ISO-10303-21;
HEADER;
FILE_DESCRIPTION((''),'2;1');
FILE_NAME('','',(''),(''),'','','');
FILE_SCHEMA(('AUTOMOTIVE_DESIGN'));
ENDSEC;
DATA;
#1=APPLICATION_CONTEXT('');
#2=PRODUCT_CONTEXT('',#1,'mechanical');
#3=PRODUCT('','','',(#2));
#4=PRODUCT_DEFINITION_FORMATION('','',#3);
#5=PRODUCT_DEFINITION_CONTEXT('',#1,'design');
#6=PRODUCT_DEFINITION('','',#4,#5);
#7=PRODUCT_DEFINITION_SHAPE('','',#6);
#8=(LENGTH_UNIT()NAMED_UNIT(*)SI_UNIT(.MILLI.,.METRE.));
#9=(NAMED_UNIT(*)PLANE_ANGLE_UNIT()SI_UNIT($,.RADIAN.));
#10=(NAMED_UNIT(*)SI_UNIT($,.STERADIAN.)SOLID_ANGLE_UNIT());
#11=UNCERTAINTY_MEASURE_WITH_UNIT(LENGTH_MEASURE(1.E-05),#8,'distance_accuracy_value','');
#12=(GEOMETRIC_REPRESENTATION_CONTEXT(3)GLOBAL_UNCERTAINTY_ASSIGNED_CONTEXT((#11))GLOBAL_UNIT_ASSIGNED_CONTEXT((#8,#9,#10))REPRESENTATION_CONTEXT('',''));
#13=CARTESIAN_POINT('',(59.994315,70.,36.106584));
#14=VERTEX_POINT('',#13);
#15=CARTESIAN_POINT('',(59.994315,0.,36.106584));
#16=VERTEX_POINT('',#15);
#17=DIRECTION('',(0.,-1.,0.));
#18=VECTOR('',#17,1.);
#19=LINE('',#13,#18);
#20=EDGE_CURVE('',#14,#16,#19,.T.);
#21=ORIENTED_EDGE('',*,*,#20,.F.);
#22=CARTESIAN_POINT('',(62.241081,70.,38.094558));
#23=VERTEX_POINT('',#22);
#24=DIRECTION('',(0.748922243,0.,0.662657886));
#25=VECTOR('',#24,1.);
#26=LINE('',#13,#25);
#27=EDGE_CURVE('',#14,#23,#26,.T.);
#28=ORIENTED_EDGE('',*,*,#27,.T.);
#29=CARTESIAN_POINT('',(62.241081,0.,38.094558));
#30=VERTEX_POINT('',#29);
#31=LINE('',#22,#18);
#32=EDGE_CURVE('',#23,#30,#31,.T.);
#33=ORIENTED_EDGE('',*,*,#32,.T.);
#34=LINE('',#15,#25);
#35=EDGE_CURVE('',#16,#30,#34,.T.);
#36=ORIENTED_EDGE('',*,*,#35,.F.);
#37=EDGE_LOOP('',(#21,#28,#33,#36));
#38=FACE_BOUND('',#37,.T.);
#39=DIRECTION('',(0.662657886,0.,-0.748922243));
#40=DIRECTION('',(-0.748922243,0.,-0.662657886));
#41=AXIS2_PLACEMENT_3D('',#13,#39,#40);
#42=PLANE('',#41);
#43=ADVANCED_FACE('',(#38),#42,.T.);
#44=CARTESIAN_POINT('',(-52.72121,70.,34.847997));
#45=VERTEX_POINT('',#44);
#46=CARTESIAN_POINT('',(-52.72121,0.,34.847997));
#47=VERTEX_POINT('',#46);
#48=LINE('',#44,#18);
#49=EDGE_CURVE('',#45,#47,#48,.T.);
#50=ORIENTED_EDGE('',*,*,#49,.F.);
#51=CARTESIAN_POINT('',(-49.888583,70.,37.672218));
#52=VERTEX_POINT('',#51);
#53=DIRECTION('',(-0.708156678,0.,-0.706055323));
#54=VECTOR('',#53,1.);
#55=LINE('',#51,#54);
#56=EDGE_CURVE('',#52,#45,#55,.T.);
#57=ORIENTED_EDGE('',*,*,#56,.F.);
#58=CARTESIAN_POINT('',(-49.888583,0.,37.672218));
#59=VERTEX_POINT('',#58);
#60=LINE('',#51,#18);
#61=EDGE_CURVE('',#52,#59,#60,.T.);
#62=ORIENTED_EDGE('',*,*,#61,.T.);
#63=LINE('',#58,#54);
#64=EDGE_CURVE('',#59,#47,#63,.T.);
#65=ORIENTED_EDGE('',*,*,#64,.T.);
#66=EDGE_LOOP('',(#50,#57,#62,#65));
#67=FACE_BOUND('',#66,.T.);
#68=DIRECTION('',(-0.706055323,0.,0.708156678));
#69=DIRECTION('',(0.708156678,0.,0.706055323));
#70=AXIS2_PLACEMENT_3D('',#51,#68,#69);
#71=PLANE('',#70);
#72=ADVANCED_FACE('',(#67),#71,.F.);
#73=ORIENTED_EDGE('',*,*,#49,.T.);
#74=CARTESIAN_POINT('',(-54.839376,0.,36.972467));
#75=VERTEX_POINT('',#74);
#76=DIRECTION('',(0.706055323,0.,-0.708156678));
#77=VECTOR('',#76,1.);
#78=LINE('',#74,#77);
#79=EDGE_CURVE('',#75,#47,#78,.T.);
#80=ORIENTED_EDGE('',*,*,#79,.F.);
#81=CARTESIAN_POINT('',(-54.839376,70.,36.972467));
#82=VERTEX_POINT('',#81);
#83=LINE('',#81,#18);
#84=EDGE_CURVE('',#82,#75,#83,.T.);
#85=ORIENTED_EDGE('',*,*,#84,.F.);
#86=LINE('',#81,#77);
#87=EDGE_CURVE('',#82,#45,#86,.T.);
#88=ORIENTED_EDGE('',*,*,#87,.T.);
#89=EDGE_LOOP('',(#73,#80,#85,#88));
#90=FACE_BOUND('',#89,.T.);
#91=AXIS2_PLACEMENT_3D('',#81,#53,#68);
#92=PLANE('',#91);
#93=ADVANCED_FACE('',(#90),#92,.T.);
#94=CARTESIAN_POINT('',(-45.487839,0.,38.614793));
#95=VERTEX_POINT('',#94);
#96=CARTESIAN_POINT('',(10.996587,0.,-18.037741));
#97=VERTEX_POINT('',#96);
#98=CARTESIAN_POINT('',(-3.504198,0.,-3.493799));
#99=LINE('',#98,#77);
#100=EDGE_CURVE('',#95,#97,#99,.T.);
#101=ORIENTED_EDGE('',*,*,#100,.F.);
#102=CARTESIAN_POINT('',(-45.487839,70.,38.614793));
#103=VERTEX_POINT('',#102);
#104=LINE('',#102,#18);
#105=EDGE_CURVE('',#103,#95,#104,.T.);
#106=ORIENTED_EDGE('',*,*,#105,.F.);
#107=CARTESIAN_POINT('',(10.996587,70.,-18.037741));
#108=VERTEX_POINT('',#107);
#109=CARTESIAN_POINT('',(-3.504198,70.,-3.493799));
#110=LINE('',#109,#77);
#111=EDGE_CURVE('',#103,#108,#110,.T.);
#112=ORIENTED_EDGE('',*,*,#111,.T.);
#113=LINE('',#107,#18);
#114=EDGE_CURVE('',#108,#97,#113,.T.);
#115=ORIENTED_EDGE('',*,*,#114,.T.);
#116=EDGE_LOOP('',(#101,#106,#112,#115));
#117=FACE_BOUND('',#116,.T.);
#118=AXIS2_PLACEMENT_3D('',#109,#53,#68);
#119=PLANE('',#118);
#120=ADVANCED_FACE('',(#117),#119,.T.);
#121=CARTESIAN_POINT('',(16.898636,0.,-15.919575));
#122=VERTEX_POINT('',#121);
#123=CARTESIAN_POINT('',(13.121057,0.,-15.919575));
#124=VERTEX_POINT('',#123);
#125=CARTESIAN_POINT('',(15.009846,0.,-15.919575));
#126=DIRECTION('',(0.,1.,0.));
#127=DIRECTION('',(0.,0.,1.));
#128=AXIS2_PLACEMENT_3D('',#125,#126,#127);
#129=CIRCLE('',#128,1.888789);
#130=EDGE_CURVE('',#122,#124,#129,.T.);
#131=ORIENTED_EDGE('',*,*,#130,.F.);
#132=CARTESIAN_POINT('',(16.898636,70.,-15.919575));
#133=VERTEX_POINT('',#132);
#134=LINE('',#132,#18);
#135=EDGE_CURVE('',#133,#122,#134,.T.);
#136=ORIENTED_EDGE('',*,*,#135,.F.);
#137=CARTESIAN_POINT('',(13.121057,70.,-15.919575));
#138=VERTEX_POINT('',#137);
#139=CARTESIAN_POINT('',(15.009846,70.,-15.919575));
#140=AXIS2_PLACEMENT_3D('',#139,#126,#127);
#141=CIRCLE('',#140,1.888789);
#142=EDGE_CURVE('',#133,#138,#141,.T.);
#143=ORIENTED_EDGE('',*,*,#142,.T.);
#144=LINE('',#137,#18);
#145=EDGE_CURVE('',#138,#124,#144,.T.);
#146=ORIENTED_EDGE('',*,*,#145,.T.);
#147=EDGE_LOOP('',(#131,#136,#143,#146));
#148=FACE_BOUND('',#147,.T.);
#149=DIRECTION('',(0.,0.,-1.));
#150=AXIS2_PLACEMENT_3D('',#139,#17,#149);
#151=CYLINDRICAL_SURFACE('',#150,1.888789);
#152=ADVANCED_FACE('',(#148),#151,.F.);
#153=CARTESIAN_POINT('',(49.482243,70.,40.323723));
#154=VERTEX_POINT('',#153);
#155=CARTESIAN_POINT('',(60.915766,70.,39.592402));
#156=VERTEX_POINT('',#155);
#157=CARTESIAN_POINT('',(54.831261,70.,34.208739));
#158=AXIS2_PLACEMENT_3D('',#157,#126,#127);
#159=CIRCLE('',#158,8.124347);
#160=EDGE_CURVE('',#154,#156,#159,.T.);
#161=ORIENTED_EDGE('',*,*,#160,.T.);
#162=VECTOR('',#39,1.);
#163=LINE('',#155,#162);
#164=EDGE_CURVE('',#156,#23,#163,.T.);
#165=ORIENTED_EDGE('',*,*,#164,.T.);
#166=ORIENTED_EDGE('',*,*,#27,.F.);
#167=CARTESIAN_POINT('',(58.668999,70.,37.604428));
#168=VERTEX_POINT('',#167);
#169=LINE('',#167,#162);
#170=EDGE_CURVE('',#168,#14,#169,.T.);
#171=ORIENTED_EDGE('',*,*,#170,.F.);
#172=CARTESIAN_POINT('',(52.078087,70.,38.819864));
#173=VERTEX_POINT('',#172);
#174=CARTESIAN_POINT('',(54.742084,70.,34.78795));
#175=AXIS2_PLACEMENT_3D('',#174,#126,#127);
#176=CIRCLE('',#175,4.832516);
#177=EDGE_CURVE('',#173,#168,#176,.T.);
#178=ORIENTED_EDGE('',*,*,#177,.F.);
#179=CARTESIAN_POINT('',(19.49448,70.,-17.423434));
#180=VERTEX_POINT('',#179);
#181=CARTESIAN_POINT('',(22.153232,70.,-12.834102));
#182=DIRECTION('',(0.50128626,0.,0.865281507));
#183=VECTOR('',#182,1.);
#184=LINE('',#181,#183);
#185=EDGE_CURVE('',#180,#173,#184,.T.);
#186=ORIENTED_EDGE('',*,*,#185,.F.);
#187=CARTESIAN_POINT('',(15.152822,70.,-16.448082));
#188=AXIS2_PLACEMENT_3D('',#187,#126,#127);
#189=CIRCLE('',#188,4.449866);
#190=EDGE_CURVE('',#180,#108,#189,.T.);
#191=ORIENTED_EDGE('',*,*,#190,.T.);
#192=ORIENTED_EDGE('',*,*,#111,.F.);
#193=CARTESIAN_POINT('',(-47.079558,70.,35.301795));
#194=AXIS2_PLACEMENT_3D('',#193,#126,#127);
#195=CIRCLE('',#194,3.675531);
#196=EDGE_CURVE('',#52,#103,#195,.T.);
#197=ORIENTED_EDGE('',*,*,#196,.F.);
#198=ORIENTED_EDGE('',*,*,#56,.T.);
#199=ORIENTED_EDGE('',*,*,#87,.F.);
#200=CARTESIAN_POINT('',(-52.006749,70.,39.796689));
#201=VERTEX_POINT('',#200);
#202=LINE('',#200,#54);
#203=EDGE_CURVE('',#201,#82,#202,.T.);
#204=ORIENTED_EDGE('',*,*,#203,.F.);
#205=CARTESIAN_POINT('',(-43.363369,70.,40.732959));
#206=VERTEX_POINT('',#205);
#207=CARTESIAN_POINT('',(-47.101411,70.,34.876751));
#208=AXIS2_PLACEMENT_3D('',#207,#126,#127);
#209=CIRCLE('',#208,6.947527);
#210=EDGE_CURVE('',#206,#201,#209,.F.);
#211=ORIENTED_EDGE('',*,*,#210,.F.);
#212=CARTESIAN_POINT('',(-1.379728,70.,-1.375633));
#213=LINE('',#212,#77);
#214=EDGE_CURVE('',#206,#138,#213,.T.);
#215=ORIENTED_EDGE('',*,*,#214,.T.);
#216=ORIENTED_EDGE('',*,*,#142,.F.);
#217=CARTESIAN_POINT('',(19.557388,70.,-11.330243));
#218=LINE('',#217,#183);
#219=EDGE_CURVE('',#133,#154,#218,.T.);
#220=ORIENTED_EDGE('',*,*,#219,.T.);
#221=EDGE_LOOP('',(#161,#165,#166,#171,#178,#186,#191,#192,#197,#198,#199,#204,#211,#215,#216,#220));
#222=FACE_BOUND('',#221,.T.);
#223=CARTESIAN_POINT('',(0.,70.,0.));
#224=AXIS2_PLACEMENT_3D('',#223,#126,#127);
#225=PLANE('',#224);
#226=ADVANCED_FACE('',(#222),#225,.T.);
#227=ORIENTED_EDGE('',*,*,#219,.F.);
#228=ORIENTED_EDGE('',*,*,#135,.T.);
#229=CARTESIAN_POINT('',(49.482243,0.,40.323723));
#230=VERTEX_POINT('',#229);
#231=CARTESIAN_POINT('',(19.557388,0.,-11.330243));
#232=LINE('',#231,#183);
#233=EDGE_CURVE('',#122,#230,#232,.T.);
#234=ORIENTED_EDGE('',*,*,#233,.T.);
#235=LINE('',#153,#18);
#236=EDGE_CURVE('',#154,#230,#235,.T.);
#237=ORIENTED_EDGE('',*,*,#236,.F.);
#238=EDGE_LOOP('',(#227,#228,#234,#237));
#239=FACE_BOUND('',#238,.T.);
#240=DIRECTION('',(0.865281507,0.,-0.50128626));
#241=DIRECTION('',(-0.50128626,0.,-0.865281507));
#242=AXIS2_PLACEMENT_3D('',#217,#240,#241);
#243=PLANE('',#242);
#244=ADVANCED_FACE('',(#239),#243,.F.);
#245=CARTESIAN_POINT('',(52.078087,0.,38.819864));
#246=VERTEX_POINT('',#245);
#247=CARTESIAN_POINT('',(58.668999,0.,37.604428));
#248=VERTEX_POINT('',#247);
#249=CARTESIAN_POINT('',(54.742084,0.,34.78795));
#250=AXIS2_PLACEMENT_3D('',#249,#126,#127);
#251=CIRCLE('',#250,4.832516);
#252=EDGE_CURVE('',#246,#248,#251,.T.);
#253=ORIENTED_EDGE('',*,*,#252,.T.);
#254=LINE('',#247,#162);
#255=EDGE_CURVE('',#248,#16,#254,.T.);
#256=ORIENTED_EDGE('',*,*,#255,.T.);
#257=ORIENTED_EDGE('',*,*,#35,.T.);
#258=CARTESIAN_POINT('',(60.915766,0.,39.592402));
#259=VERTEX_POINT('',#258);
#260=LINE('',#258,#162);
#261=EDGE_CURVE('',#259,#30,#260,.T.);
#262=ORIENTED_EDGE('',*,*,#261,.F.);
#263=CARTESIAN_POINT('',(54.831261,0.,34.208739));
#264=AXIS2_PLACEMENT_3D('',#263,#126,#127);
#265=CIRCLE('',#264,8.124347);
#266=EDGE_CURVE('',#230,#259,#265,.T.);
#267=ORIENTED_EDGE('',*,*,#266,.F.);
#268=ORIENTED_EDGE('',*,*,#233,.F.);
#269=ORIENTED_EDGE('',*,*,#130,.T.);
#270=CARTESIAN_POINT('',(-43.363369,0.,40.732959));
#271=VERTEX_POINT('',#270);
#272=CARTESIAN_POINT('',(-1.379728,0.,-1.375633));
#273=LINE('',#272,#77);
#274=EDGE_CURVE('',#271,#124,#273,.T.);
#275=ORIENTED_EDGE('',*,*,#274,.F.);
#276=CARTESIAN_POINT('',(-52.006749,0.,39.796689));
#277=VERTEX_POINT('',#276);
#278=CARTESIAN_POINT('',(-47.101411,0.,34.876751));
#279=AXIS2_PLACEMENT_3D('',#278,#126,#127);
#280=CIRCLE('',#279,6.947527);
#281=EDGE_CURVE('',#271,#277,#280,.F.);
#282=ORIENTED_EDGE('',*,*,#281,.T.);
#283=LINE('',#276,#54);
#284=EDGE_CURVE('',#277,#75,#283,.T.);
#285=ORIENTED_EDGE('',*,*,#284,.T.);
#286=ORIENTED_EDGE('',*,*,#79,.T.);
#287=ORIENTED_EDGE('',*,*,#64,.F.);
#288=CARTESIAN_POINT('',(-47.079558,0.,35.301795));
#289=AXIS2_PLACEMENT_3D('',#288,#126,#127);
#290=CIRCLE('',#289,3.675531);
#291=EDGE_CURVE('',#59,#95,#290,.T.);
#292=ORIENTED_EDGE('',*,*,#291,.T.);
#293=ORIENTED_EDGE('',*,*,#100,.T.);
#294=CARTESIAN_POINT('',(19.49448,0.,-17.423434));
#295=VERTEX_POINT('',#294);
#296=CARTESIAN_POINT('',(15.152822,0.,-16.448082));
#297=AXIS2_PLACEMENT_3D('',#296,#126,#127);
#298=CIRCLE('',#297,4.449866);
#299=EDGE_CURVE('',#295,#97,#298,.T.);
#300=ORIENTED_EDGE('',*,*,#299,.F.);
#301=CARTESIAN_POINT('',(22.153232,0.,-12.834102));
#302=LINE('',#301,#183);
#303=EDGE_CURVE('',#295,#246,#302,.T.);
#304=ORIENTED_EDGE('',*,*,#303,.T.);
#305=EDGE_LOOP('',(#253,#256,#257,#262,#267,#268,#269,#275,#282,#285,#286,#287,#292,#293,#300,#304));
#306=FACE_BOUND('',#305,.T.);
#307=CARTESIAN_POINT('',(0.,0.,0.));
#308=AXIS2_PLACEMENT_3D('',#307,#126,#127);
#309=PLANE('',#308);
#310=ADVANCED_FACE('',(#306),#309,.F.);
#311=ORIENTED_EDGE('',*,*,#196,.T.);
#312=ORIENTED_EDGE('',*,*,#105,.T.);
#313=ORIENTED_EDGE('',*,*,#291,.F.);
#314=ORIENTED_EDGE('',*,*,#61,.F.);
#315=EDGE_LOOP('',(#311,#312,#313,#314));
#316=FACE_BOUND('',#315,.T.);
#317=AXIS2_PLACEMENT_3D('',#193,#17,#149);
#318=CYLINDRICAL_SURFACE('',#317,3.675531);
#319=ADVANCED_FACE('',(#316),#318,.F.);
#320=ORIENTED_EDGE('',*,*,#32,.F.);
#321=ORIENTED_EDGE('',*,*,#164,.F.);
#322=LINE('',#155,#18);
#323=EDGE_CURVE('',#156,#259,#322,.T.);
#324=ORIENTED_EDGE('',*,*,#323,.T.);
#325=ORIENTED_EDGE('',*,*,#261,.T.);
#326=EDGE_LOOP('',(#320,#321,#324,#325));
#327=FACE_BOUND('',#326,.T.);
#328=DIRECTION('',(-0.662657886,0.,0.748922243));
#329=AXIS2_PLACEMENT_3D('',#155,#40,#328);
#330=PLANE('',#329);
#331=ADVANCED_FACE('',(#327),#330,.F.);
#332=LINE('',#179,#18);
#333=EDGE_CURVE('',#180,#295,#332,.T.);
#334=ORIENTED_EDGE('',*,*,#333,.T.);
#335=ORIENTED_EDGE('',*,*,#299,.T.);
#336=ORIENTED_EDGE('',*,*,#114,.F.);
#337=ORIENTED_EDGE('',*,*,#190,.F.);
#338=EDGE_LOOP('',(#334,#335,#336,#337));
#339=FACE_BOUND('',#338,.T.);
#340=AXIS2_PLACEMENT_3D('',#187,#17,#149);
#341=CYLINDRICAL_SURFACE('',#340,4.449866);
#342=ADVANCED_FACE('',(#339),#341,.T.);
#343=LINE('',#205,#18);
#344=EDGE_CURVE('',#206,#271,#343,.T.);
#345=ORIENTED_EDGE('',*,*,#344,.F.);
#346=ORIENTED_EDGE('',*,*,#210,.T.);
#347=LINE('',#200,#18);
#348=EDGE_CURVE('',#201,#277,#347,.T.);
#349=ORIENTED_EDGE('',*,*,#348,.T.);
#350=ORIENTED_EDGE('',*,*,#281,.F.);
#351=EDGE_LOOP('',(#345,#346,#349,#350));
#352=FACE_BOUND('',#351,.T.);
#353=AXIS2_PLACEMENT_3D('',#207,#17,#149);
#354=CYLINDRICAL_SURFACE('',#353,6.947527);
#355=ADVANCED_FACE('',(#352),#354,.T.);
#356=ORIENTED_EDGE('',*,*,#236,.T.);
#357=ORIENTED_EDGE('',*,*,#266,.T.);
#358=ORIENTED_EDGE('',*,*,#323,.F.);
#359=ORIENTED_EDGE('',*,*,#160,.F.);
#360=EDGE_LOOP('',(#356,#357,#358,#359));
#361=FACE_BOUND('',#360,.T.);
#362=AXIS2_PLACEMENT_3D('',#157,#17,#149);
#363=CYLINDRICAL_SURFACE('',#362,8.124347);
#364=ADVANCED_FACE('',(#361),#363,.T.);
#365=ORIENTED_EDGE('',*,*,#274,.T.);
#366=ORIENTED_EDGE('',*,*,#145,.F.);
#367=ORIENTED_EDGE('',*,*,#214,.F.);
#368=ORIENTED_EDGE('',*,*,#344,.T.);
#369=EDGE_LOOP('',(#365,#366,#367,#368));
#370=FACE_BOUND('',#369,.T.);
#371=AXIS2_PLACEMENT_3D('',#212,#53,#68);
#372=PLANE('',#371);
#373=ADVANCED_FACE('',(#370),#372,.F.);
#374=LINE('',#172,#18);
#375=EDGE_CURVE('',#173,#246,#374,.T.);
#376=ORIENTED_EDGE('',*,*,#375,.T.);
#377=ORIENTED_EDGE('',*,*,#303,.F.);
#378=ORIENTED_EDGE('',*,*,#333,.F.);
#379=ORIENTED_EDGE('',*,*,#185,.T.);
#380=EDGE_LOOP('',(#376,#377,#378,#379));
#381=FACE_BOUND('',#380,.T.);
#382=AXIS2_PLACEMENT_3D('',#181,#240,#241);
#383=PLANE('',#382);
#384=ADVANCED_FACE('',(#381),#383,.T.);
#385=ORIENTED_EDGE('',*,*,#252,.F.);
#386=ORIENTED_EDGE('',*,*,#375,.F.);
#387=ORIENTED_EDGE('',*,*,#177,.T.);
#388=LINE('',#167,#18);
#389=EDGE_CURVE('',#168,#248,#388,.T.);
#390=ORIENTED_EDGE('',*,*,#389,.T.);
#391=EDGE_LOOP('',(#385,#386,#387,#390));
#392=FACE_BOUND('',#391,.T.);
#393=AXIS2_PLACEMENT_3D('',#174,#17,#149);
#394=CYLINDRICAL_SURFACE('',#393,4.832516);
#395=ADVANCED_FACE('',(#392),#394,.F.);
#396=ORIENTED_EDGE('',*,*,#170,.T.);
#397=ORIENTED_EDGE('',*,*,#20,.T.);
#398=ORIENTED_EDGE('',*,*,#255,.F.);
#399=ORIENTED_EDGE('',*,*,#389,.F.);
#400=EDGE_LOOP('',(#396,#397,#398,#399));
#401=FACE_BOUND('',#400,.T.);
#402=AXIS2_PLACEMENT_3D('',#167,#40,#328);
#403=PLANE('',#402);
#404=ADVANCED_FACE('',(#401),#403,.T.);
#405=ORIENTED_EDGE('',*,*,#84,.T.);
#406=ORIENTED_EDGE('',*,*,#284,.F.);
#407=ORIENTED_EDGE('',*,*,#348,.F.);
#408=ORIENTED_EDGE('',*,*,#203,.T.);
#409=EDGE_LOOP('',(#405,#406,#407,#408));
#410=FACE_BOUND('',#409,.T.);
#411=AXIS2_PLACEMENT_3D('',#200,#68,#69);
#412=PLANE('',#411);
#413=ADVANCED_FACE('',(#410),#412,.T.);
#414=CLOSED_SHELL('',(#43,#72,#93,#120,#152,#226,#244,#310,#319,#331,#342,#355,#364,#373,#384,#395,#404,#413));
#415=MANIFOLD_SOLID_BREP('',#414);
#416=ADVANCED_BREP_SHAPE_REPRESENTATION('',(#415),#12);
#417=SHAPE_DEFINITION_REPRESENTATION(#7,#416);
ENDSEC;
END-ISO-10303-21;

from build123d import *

# Parameters (mm, degrees)
EXTRUDE_1_DEPTH = 70


with BuildPart() as part:
    # 草圖1 → 填料-伸長1 (new body)
    with BuildSketch(Plane(origin=(0, 0, 0), x_dir=(1, 0, 0), z_dir=(0, 1, 0))):
        with BuildLine():
            Line((10.996587269, 18.037741282), (-45.487838574, -38.61479297))
            ThreePointArc((-45.487838574, -38.61479297), (-47.84934361, -38.895811815), (-49.888582931, -37.672218494))
            Line((-49.888582931, -37.672218494), (-52.721209644, -34.847997201))
            Line((-52.721209644, -34.847997201), (-54.839375613, -36.972467236))
            Line((-54.839375613, -36.972467236), (-52.0067489, -39.796688528))
            ThreePointArc((-52.0067489, -39.796688528), (-47.849605549, -41.783872953), (-43.363368539, -40.732958939))
            Line((-43.363368539, -40.732958939), (13.121057303, 15.919575313))
            ThreePointArc((13.121057303, 15.919575313), (15.009846467, 17.808364477), (16.898635631, 15.919575313))
            Line((16.898635631, 15.919575313), (49.482242531, -40.323722611))
            ThreePointArc((49.482242531, -40.323722611), (55.349857539, -42.316518092), (60.91576552, -39.592402078))
            Line((60.91576552, -39.592402078), (62.241081291, -38.094557591))
            Line((62.241081291, -38.094557591), (59.994314562, -36.106583934))
            Line((59.994314562, -36.106583934), (58.66899879, -37.60442842))
            ThreePointArc((58.66899879, -37.60442842), (55.618475046, -39.540333545), (52.078087051, -38.819863831))
            Line((52.078087051, -38.819863831), (19.494480151, 17.423434093))
            ThreePointArc((19.494480151, 17.423434093), (15.47366289, 20.886366054), (10.996587269, 18.037741282))
        make_face()
    extrude(amount=EXTRUDE_1_DEPTH)


solid = part.part
